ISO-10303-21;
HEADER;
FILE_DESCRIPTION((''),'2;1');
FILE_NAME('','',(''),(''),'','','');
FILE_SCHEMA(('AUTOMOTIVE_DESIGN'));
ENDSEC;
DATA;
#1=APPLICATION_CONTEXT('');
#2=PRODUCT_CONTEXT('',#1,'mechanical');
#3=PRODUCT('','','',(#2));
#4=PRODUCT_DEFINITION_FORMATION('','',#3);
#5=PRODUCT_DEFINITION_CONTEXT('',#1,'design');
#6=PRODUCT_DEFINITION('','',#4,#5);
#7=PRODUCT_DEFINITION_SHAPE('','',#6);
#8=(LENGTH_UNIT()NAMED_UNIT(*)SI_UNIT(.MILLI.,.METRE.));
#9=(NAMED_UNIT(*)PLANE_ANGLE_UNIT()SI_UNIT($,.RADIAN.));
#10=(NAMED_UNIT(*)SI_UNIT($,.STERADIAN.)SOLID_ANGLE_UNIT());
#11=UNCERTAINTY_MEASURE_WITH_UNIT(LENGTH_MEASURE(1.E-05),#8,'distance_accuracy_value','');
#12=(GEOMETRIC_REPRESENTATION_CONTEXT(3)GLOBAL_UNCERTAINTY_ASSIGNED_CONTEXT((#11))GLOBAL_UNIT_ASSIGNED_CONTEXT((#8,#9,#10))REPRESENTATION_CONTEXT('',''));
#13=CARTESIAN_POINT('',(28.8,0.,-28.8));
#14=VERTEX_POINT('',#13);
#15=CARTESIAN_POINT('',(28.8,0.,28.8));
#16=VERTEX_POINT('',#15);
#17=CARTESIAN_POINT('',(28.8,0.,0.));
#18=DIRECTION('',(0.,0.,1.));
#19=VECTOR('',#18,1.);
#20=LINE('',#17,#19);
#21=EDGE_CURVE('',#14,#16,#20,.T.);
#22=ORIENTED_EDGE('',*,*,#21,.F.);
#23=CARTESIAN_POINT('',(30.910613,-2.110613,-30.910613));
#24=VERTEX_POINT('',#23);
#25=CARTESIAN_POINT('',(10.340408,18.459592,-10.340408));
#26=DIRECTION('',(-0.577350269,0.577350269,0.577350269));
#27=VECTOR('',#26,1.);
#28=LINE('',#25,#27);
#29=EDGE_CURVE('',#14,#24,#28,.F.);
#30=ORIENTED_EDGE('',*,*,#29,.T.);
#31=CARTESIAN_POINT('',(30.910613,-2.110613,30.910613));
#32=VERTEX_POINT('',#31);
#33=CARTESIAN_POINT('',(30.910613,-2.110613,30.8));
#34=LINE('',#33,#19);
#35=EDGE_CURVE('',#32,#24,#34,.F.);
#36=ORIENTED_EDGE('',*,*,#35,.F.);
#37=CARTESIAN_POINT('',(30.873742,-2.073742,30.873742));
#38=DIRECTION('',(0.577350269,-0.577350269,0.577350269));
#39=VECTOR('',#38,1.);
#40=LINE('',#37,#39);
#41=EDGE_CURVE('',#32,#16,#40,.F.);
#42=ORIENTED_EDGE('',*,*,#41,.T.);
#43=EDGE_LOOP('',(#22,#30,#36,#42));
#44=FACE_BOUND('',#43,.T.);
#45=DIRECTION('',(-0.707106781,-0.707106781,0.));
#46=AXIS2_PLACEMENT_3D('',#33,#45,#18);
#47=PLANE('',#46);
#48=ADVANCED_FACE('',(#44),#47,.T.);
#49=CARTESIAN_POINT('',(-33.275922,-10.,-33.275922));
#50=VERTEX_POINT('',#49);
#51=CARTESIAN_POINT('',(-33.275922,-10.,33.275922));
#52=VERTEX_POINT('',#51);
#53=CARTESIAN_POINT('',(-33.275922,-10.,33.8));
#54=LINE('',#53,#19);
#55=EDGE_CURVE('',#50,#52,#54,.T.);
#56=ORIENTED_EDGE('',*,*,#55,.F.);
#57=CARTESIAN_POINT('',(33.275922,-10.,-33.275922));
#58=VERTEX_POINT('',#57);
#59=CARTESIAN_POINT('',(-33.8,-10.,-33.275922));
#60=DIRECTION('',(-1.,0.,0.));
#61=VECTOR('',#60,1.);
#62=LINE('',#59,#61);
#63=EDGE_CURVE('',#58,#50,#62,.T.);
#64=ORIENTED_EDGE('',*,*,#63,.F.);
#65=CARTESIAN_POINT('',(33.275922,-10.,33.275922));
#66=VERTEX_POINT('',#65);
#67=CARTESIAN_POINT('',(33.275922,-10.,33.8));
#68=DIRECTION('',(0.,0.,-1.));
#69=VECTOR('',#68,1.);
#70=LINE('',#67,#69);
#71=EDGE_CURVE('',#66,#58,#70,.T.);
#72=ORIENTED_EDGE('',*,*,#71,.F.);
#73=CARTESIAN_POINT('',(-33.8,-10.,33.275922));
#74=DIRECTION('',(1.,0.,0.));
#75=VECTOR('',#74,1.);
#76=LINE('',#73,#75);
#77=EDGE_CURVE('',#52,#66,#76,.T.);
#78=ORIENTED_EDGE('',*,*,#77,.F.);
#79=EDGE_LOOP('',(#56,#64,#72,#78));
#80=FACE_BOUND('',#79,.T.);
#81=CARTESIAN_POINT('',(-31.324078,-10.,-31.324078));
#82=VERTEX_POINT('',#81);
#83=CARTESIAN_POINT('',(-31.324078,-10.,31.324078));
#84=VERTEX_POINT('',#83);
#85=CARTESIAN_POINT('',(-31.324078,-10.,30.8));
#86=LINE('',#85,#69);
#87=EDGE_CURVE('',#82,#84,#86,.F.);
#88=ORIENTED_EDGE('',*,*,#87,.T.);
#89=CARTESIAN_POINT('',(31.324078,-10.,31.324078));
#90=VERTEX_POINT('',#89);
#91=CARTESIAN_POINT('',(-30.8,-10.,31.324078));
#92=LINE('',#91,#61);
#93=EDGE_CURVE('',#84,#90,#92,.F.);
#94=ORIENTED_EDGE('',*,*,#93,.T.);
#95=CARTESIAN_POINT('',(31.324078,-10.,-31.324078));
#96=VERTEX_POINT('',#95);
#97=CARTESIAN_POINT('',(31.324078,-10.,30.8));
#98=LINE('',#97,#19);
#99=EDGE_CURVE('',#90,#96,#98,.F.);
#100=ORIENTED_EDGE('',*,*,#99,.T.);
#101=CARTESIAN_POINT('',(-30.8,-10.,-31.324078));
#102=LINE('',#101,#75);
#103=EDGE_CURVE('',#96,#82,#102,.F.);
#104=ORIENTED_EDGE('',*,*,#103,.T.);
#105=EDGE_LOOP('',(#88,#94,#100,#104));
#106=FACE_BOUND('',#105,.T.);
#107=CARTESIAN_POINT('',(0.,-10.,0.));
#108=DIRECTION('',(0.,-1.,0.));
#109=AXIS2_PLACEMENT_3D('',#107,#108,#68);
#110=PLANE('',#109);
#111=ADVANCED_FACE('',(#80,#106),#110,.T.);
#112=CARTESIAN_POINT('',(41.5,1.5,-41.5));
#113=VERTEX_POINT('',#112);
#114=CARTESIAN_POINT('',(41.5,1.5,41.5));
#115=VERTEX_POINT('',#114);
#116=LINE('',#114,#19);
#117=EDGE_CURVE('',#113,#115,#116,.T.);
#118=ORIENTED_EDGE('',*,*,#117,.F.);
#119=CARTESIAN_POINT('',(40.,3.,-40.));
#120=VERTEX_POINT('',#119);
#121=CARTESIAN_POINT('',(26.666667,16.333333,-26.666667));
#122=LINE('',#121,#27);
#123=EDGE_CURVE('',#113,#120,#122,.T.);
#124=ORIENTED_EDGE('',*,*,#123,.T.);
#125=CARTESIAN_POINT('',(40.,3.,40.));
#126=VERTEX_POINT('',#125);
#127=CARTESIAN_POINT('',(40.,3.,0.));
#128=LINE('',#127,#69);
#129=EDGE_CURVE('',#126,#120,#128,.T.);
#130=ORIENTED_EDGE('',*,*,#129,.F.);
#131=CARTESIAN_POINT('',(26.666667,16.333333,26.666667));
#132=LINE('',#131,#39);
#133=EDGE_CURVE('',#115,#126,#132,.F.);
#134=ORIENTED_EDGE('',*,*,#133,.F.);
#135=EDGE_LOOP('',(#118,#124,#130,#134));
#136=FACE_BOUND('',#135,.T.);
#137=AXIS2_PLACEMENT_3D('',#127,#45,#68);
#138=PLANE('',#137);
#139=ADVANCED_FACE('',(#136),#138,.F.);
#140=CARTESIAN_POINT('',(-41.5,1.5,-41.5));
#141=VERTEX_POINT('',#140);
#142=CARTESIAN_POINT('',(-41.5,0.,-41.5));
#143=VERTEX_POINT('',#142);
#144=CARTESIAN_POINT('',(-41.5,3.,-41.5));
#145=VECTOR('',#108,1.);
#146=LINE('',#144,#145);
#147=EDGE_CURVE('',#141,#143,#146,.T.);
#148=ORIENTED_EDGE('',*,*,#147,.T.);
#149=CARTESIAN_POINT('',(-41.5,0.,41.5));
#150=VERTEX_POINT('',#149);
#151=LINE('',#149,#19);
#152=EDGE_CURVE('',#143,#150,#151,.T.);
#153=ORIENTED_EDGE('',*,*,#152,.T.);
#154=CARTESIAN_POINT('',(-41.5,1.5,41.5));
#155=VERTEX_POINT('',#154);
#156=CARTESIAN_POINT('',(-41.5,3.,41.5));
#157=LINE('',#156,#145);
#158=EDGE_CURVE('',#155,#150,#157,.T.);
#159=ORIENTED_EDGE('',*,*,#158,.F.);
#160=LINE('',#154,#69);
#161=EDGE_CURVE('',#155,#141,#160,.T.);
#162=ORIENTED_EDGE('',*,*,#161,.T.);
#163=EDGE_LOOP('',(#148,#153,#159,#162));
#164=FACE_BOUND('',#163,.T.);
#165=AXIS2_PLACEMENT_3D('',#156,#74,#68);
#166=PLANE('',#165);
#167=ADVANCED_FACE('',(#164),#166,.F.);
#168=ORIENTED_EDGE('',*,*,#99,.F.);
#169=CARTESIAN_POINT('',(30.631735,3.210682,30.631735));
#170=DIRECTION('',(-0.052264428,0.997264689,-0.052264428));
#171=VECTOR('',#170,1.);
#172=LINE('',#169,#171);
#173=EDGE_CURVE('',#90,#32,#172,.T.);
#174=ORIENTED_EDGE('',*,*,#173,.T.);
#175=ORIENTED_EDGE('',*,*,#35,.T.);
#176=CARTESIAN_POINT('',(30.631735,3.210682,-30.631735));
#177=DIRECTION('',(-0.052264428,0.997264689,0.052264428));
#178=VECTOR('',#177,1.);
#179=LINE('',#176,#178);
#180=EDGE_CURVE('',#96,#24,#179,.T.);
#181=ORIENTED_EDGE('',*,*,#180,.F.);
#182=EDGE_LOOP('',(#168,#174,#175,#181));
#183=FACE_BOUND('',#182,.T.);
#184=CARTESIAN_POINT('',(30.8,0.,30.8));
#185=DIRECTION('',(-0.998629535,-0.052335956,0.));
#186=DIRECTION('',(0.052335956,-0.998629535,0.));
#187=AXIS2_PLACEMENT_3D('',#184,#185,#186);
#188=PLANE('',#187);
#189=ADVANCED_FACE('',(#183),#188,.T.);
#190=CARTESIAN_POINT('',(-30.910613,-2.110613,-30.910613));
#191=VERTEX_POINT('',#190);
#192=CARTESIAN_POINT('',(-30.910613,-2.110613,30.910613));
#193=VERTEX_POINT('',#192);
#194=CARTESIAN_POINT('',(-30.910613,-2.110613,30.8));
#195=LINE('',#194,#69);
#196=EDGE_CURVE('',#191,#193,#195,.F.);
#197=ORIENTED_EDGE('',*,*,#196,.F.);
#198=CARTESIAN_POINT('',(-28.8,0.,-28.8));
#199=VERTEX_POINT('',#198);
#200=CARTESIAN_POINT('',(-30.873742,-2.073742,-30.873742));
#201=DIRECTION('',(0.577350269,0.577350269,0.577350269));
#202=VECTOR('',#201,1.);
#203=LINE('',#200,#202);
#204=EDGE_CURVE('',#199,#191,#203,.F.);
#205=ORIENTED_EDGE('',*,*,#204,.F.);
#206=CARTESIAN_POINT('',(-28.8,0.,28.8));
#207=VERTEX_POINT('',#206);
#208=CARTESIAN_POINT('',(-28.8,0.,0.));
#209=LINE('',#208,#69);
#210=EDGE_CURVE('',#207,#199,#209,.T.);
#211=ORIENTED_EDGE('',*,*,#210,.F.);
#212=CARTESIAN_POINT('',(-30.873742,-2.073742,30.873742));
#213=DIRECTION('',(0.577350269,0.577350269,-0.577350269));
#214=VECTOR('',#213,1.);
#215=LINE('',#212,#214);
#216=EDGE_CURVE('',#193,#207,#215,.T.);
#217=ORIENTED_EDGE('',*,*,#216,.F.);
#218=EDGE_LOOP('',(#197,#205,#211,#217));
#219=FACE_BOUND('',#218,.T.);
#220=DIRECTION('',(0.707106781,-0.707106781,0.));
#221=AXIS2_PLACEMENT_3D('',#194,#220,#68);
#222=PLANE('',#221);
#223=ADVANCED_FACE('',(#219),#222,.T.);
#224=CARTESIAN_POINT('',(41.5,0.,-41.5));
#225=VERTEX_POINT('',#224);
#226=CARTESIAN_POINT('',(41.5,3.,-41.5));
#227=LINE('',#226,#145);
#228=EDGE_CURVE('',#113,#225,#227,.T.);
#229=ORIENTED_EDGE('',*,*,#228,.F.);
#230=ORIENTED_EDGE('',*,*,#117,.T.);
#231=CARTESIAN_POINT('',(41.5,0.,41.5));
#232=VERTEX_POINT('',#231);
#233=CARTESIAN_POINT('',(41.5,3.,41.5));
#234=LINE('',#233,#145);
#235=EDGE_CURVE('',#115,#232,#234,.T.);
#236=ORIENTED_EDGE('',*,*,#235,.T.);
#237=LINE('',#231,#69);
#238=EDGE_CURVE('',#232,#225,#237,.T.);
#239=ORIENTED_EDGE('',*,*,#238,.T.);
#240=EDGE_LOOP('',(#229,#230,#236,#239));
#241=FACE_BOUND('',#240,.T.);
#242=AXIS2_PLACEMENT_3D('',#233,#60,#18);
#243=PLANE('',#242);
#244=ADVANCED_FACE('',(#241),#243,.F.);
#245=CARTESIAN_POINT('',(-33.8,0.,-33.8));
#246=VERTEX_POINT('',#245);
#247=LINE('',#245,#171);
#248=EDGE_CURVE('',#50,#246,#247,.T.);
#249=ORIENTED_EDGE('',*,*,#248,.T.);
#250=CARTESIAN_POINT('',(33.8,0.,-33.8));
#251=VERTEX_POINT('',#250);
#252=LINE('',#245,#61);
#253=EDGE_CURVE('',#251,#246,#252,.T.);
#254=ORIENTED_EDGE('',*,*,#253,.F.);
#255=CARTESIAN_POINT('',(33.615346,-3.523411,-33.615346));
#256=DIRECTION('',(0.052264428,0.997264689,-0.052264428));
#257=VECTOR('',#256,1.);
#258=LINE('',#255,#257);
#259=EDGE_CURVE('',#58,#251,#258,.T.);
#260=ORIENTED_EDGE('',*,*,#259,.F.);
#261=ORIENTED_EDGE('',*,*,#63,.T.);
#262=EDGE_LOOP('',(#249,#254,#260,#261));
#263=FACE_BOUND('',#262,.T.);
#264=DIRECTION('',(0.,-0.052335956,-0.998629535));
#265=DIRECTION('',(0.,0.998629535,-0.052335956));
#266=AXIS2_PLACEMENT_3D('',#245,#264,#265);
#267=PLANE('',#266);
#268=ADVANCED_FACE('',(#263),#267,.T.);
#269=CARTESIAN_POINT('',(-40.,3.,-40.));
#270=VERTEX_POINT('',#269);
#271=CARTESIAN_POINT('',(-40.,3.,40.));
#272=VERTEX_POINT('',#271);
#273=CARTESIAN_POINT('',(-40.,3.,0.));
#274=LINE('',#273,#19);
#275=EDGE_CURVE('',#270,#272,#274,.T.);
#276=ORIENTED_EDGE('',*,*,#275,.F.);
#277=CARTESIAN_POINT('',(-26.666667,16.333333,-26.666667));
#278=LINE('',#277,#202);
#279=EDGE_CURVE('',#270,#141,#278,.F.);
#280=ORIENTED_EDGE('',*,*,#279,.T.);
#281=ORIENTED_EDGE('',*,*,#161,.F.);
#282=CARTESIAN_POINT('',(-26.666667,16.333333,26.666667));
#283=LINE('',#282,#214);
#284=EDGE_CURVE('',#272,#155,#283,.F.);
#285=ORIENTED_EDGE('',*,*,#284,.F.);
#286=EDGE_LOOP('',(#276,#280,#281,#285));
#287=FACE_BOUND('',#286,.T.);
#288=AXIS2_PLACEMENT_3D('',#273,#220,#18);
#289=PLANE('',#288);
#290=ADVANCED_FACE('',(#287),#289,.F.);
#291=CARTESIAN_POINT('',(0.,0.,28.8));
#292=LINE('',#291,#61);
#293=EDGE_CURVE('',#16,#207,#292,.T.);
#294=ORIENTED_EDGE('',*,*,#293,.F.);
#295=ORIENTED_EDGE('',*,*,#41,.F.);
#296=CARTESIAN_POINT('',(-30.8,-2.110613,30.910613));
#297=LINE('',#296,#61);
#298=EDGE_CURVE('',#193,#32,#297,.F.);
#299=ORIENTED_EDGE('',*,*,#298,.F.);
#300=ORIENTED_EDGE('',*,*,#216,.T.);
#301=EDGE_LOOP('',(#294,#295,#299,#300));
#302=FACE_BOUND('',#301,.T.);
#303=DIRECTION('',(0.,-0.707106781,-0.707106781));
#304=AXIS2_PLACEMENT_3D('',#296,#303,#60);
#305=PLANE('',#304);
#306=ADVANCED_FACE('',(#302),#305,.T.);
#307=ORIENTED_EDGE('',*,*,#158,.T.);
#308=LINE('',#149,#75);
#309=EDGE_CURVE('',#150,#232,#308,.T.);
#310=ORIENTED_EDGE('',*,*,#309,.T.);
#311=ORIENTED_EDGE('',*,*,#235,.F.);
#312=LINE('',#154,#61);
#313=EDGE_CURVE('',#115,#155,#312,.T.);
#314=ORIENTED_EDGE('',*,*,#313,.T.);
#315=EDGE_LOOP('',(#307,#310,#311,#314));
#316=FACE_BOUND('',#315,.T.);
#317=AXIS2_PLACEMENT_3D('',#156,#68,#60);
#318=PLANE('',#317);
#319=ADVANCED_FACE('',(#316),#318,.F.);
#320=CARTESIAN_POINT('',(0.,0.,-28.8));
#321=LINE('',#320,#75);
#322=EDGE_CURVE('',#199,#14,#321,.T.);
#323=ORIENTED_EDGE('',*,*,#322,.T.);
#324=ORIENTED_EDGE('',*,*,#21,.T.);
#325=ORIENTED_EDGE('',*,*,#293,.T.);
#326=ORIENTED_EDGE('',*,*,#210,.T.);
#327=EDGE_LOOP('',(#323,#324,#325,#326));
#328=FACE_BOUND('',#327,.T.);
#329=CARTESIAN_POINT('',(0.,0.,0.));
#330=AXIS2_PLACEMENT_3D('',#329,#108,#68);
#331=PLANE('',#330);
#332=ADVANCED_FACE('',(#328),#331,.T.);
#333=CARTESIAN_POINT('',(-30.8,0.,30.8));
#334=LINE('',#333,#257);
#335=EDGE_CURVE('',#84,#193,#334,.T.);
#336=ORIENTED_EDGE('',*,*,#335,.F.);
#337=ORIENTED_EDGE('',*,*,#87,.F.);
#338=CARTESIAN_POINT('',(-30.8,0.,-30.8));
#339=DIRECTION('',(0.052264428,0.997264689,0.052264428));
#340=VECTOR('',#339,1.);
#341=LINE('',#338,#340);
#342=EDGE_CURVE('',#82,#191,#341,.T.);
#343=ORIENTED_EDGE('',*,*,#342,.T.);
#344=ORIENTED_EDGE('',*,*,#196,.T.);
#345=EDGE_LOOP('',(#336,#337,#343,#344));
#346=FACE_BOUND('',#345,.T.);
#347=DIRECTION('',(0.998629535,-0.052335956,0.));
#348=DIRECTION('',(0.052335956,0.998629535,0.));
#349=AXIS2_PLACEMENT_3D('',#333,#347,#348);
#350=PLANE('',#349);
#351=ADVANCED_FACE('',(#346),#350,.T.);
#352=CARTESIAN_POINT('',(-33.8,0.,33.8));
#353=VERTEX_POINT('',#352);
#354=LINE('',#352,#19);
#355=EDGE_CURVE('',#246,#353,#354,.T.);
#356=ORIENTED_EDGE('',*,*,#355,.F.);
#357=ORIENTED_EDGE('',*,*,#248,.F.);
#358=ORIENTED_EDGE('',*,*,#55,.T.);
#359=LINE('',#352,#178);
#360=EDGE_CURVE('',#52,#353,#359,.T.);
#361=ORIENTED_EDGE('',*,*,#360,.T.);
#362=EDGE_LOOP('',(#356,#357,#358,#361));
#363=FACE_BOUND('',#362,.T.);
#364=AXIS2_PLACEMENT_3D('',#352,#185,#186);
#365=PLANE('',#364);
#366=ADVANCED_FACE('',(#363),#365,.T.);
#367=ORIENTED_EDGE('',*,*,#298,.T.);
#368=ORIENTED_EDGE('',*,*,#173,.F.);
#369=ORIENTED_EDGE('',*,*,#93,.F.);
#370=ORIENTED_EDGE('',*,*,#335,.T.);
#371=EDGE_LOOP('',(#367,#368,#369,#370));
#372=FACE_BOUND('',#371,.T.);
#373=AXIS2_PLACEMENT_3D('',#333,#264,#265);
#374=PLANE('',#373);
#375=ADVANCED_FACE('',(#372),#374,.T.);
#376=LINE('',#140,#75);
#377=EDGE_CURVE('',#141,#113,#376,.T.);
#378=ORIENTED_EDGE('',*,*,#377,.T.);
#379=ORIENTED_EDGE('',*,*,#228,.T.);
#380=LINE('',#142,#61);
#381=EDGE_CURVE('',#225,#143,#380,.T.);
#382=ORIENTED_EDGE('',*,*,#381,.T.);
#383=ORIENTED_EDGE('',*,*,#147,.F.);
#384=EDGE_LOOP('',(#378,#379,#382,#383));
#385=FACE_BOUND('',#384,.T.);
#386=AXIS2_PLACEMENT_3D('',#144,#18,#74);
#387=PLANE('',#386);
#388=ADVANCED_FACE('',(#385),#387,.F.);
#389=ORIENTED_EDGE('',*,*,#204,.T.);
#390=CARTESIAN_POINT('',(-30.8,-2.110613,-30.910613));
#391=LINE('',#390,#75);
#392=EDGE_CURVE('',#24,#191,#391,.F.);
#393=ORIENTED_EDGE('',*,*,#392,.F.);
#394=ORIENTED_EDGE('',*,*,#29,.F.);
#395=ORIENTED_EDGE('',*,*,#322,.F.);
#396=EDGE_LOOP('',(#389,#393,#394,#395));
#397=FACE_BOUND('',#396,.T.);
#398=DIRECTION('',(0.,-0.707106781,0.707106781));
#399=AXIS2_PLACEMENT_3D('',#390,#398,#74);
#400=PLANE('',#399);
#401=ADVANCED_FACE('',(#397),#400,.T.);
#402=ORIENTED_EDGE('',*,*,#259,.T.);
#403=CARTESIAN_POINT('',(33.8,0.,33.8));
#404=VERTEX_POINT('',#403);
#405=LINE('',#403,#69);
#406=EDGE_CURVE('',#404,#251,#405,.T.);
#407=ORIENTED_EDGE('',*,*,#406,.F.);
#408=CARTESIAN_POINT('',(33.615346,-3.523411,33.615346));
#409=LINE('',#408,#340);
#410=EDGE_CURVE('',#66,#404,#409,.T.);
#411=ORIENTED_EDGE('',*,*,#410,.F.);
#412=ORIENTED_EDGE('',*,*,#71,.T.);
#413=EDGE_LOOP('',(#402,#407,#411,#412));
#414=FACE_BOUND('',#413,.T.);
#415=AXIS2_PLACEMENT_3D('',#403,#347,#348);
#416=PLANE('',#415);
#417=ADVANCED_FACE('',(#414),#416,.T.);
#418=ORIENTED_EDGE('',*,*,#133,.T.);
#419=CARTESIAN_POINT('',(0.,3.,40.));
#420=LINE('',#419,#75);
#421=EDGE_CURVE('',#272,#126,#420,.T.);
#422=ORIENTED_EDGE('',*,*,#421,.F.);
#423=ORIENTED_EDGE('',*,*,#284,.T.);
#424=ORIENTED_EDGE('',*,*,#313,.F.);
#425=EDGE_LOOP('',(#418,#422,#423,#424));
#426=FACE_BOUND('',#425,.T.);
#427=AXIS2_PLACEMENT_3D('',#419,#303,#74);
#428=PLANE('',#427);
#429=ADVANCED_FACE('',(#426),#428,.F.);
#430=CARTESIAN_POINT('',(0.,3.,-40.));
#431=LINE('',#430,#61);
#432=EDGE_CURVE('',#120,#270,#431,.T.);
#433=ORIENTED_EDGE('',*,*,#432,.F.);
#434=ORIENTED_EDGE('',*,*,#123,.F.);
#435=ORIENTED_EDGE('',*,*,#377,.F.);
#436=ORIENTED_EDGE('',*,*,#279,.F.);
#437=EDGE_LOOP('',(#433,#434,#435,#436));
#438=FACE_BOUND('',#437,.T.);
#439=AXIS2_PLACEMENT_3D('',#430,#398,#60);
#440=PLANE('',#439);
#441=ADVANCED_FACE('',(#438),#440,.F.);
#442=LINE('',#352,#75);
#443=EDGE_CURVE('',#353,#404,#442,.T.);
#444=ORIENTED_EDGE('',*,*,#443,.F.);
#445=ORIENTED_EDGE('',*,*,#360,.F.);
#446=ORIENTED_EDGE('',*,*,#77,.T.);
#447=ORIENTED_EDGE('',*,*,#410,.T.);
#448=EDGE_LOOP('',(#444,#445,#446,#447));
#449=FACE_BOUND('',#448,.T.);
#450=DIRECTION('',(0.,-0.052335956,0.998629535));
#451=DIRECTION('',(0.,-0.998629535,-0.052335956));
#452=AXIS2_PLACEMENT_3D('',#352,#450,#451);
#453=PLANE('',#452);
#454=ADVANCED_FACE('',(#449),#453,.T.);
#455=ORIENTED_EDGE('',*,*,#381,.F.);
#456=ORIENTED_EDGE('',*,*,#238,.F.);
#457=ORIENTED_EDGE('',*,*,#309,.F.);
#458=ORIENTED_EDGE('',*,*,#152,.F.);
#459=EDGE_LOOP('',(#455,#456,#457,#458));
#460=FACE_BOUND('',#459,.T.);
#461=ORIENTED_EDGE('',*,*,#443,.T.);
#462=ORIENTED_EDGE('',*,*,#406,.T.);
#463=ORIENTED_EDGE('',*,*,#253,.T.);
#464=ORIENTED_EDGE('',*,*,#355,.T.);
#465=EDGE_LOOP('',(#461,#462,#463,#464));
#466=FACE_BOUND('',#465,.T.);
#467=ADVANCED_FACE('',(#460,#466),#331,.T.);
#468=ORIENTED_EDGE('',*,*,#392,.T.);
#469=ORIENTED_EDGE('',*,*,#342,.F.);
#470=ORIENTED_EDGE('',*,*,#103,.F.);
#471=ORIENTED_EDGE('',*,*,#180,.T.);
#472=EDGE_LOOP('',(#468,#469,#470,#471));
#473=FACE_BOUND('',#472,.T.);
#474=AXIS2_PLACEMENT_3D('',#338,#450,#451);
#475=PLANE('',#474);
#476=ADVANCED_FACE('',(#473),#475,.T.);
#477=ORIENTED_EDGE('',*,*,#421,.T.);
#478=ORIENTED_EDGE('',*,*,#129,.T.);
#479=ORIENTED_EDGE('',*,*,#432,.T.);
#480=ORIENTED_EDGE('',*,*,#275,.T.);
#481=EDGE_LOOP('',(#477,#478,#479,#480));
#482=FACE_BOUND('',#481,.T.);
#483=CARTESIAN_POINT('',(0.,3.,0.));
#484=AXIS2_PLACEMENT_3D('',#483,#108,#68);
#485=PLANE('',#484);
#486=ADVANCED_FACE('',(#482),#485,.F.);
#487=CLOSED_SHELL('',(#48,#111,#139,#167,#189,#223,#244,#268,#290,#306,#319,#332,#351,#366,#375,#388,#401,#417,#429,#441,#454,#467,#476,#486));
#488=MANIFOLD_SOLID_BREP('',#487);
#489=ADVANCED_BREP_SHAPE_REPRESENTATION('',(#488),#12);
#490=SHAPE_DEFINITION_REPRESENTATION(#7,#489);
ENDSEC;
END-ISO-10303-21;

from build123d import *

# Parameters (mm, degrees)
SKETCH1_W             = 67.6
SKETCH1_H             = 67.6
SKETCH1_W_2           = 61.6
SKETCH1_H_2           = 61.6
BOSS_EXTRUDE1_DEPTH   = 10
BOSS_EXTRUDE1_DRAFT   = -3
SKETCH2_W             = 83
SKETCH2_H             = 83
BOSS_EXTRUDE2_DEPTH   = 3
CHAMFER1_SIZE         = 1.5
CHAMFER2_SIZE         = 2
CHAMFER2_SIZE2        = 2.113509005
CHAMFER2_EDGE_2_SIZE  = 2
CHAMFER2_EDGE_2_SIZE2 = 2.113509005
CHAMFER2_EDGE_3_SIZE  = 2
CHAMFER2_EDGE_3_SIZE2 = 2.113509005
CHAMFER2_EDGE_4_SIZE  = 2
CHAMFER2_EDGE_4_SIZE2 = 2.113509005


with BuildPart() as part:
    # Sketch1 → Boss-Extrude1 (with draft: the straight prism first)
    with BuildSketch(Plane(origin=(0, 0, 0), x_dir=(1, 0, 0), z_dir=(0, 1, 0))):
        Rectangle(SKETCH1_W, SKETCH1_H)
        Rectangle(SKETCH1_W_2, SKETCH1_H_2, mode=Mode.SUBTRACT)
    extrude(amount=-BOSS_EXTRUDE1_DEPTH)
    # Boss-Extrude1: the draft: its side faces are tilted about the plane it starts from
    boss_extrude1_sides = [part.faces().sort_by_distance(p)[0] for p in [
        (-33.8, -5, 0),
        (0, -5, 33.8),
        (33.8, -5, 0),
        (0, -5, -33.8),
        (0, -5, -30.8),
        (30.8, -5, 0),
        (0, -5, 30.8),
        (-30.8, -5, 0),
    ]]
    draft(boss_extrude1_sides, Plane(origin=(0, 0, 0), x_dir=(1, 0, 0), z_dir=(0, 1, 0)), BOSS_EXTRUDE1_DRAFT)

    # Sketch2 → Boss-Extrude2 (add)
    with BuildSketch(Plane(origin=(0, 0, 0), x_dir=(1, 0, 0), z_dir=(0, 1, 0))):
        Rectangle(SKETCH2_W, SKETCH2_H)
    extrude(amount=BOSS_EXTRUDE2_DEPTH)

    # Chamfer1
    chamfer1_edges = [part.edges().sort_by_distance(p)[0] for p in [
        (41.5, 3, 0),
        (0, 3, -41.5),
        (-41.5, 3, 0),
        (0, 3, 41.5),
    ]]
    chamfer(chamfer1_edges, length=CHAMFER1_SIZE)

    # Chamfer2
    chamfer2_edges = [part.edges().sort_by_distance(p)[0] for p in [
        (-30.8, 0, 0),
    ]]
    chamfer2_side = [part.faces().sort_by_distance(p)[0] for p in [
        (0, 0, 0),
    ]]
    chamfer(chamfer2_edges, length=CHAMFER2_SIZE, length2=CHAMFER2_SIZE2, reference=chamfer2_side[0])

    # Chamfer2 edge 2
    chamfer2_edge_2_edges = [part.edges().sort_by_distance(p)[0] for p in [
        (0, 0, 30.8),
    ]]
    chamfer2_edge_2_side = [part.faces().sort_by_distance(p)[0] for p in [
        (0, 0, 0),
    ]]
    chamfer(chamfer2_edge_2_edges, length=CHAMFER2_EDGE_2_SIZE, length2=CHAMFER2_EDGE_2_SIZE2, reference=chamfer2_edge_2_side[0])

    # Chamfer2 edge 3
    chamfer2_edge_3_edges = [part.edges().sort_by_distance(p)[0] for p in [
        (30.8, 0, 0),
    ]]
    chamfer2_edge_3_side = [part.faces().sort_by_distance(p)[0] for p in [
        (0, 0, 0),
    ]]
    chamfer(chamfer2_edge_3_edges, length=CHAMFER2_EDGE_3_SIZE, length2=CHAMFER2_EDGE_3_SIZE2, reference=chamfer2_edge_3_side[0])

    # Chamfer2 edge 4
    chamfer2_edge_4_edges = [part.edges().sort_by_distance(p)[0] for p in [
        (0, 0, -30.8),
    ]]
    chamfer2_edge_4_side = [part.faces().sort_by_distance(p)[0] for p in [
        (0, 0, 0),
    ]]
    chamfer(chamfer2_edge_4_edges, length=CHAMFER2_EDGE_4_SIZE, length2=CHAMFER2_EDGE_4_SIZE2, reference=chamfer2_edge_4_side[0])


solid = part.part
